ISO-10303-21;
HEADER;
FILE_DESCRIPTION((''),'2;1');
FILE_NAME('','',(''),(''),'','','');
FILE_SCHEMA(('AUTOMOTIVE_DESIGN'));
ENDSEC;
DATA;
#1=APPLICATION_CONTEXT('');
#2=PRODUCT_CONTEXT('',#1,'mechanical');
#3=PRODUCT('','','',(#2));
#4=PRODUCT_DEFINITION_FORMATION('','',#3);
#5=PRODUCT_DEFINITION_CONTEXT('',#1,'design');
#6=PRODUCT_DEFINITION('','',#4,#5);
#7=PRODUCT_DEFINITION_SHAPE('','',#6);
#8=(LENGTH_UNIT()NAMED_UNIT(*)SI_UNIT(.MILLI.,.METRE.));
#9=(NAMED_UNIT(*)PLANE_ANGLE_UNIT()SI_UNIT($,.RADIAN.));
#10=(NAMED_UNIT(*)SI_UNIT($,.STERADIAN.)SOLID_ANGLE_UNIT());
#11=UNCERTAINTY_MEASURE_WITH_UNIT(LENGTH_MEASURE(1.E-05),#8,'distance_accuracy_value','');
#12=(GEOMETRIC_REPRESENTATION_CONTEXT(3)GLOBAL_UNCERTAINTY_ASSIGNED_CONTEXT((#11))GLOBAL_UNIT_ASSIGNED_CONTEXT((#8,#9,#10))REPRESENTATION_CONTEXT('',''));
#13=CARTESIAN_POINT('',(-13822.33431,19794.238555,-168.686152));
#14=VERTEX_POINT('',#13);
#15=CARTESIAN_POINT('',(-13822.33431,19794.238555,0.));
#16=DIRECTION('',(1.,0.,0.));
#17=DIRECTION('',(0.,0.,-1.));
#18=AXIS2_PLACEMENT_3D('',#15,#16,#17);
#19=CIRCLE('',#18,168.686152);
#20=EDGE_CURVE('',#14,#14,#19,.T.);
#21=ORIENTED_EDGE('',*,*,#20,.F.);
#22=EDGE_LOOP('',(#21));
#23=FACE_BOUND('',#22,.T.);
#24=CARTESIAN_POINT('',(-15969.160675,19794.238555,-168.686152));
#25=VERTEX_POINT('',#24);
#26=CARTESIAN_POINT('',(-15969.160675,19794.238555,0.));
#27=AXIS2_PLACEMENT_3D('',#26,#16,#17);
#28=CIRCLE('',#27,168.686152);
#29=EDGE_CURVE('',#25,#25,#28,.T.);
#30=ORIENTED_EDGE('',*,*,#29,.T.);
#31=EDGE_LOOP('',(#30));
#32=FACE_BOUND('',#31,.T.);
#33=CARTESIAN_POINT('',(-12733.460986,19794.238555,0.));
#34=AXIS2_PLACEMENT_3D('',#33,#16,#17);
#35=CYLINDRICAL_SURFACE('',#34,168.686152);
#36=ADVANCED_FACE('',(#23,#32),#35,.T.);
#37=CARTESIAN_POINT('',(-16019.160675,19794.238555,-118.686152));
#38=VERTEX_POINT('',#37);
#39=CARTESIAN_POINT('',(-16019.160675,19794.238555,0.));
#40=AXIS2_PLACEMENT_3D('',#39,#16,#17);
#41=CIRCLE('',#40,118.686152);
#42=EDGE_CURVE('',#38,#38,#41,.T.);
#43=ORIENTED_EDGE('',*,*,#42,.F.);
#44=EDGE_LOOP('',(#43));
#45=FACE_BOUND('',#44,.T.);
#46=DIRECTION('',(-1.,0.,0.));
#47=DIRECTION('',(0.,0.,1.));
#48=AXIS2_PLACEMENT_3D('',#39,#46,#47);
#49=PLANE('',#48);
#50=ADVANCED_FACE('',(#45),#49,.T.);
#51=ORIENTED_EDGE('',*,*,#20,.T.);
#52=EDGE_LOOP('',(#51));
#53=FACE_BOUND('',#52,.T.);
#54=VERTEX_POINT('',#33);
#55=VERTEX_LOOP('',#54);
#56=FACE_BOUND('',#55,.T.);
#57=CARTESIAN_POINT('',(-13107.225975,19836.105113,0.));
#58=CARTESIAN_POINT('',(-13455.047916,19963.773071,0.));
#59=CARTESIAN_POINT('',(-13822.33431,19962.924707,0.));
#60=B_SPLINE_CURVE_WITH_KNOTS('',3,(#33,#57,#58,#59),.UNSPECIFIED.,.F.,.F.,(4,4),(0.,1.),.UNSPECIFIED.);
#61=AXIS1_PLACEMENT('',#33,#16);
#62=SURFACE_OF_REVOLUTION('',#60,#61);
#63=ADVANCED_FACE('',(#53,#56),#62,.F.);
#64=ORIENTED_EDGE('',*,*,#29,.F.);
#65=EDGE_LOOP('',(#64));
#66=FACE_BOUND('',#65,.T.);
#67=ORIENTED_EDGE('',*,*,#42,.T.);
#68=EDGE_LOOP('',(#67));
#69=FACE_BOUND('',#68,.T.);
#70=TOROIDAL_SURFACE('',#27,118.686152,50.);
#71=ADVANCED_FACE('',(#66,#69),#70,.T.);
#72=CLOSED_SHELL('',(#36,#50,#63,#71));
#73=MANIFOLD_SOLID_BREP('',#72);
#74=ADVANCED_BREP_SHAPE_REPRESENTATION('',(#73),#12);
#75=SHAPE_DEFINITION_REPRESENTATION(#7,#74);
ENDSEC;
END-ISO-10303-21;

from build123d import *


with BuildPart() as part:
    # Sketch8 → Revolve5 (revolve)
    with BuildSketch(Plane.XY):
        with BuildLine():
            Line((-16019.160674831, 19794.238554782), (-16019.160674831, 19912.92470728))
            ThreePointArc((-16019.160674831, 19912.92470728), (-16004.51601389, 19948.280046339), (-15969.160674831, 19962.92470728))
            Line((-15969.160674831, 19962.92470728), (-15187.150890895, 19962.92470728))
            Line((-15187.150890895, 19962.92470728), (-13822.334310087, 19962.92470728))
            add(Edge.make_bspline(
                [(-13822.334310087, 19962.92470728), (-13455.04791629, 19963.773071151), (-13107.225974635, 19836.105112744), (-12733.46098639, 19794.238554782)],
                knots=[0, 0, 0, 0, 1, 1, 1, 1], degree=3))
            Line((-12733.46098639, 19794.238554782), (-16019.160674831, 19794.238554782))
        make_face()
    revolve(axis=Axis((-12733.46098639, 19794.238554782, 0), (-1, 0, 0)))


solid = part.part
